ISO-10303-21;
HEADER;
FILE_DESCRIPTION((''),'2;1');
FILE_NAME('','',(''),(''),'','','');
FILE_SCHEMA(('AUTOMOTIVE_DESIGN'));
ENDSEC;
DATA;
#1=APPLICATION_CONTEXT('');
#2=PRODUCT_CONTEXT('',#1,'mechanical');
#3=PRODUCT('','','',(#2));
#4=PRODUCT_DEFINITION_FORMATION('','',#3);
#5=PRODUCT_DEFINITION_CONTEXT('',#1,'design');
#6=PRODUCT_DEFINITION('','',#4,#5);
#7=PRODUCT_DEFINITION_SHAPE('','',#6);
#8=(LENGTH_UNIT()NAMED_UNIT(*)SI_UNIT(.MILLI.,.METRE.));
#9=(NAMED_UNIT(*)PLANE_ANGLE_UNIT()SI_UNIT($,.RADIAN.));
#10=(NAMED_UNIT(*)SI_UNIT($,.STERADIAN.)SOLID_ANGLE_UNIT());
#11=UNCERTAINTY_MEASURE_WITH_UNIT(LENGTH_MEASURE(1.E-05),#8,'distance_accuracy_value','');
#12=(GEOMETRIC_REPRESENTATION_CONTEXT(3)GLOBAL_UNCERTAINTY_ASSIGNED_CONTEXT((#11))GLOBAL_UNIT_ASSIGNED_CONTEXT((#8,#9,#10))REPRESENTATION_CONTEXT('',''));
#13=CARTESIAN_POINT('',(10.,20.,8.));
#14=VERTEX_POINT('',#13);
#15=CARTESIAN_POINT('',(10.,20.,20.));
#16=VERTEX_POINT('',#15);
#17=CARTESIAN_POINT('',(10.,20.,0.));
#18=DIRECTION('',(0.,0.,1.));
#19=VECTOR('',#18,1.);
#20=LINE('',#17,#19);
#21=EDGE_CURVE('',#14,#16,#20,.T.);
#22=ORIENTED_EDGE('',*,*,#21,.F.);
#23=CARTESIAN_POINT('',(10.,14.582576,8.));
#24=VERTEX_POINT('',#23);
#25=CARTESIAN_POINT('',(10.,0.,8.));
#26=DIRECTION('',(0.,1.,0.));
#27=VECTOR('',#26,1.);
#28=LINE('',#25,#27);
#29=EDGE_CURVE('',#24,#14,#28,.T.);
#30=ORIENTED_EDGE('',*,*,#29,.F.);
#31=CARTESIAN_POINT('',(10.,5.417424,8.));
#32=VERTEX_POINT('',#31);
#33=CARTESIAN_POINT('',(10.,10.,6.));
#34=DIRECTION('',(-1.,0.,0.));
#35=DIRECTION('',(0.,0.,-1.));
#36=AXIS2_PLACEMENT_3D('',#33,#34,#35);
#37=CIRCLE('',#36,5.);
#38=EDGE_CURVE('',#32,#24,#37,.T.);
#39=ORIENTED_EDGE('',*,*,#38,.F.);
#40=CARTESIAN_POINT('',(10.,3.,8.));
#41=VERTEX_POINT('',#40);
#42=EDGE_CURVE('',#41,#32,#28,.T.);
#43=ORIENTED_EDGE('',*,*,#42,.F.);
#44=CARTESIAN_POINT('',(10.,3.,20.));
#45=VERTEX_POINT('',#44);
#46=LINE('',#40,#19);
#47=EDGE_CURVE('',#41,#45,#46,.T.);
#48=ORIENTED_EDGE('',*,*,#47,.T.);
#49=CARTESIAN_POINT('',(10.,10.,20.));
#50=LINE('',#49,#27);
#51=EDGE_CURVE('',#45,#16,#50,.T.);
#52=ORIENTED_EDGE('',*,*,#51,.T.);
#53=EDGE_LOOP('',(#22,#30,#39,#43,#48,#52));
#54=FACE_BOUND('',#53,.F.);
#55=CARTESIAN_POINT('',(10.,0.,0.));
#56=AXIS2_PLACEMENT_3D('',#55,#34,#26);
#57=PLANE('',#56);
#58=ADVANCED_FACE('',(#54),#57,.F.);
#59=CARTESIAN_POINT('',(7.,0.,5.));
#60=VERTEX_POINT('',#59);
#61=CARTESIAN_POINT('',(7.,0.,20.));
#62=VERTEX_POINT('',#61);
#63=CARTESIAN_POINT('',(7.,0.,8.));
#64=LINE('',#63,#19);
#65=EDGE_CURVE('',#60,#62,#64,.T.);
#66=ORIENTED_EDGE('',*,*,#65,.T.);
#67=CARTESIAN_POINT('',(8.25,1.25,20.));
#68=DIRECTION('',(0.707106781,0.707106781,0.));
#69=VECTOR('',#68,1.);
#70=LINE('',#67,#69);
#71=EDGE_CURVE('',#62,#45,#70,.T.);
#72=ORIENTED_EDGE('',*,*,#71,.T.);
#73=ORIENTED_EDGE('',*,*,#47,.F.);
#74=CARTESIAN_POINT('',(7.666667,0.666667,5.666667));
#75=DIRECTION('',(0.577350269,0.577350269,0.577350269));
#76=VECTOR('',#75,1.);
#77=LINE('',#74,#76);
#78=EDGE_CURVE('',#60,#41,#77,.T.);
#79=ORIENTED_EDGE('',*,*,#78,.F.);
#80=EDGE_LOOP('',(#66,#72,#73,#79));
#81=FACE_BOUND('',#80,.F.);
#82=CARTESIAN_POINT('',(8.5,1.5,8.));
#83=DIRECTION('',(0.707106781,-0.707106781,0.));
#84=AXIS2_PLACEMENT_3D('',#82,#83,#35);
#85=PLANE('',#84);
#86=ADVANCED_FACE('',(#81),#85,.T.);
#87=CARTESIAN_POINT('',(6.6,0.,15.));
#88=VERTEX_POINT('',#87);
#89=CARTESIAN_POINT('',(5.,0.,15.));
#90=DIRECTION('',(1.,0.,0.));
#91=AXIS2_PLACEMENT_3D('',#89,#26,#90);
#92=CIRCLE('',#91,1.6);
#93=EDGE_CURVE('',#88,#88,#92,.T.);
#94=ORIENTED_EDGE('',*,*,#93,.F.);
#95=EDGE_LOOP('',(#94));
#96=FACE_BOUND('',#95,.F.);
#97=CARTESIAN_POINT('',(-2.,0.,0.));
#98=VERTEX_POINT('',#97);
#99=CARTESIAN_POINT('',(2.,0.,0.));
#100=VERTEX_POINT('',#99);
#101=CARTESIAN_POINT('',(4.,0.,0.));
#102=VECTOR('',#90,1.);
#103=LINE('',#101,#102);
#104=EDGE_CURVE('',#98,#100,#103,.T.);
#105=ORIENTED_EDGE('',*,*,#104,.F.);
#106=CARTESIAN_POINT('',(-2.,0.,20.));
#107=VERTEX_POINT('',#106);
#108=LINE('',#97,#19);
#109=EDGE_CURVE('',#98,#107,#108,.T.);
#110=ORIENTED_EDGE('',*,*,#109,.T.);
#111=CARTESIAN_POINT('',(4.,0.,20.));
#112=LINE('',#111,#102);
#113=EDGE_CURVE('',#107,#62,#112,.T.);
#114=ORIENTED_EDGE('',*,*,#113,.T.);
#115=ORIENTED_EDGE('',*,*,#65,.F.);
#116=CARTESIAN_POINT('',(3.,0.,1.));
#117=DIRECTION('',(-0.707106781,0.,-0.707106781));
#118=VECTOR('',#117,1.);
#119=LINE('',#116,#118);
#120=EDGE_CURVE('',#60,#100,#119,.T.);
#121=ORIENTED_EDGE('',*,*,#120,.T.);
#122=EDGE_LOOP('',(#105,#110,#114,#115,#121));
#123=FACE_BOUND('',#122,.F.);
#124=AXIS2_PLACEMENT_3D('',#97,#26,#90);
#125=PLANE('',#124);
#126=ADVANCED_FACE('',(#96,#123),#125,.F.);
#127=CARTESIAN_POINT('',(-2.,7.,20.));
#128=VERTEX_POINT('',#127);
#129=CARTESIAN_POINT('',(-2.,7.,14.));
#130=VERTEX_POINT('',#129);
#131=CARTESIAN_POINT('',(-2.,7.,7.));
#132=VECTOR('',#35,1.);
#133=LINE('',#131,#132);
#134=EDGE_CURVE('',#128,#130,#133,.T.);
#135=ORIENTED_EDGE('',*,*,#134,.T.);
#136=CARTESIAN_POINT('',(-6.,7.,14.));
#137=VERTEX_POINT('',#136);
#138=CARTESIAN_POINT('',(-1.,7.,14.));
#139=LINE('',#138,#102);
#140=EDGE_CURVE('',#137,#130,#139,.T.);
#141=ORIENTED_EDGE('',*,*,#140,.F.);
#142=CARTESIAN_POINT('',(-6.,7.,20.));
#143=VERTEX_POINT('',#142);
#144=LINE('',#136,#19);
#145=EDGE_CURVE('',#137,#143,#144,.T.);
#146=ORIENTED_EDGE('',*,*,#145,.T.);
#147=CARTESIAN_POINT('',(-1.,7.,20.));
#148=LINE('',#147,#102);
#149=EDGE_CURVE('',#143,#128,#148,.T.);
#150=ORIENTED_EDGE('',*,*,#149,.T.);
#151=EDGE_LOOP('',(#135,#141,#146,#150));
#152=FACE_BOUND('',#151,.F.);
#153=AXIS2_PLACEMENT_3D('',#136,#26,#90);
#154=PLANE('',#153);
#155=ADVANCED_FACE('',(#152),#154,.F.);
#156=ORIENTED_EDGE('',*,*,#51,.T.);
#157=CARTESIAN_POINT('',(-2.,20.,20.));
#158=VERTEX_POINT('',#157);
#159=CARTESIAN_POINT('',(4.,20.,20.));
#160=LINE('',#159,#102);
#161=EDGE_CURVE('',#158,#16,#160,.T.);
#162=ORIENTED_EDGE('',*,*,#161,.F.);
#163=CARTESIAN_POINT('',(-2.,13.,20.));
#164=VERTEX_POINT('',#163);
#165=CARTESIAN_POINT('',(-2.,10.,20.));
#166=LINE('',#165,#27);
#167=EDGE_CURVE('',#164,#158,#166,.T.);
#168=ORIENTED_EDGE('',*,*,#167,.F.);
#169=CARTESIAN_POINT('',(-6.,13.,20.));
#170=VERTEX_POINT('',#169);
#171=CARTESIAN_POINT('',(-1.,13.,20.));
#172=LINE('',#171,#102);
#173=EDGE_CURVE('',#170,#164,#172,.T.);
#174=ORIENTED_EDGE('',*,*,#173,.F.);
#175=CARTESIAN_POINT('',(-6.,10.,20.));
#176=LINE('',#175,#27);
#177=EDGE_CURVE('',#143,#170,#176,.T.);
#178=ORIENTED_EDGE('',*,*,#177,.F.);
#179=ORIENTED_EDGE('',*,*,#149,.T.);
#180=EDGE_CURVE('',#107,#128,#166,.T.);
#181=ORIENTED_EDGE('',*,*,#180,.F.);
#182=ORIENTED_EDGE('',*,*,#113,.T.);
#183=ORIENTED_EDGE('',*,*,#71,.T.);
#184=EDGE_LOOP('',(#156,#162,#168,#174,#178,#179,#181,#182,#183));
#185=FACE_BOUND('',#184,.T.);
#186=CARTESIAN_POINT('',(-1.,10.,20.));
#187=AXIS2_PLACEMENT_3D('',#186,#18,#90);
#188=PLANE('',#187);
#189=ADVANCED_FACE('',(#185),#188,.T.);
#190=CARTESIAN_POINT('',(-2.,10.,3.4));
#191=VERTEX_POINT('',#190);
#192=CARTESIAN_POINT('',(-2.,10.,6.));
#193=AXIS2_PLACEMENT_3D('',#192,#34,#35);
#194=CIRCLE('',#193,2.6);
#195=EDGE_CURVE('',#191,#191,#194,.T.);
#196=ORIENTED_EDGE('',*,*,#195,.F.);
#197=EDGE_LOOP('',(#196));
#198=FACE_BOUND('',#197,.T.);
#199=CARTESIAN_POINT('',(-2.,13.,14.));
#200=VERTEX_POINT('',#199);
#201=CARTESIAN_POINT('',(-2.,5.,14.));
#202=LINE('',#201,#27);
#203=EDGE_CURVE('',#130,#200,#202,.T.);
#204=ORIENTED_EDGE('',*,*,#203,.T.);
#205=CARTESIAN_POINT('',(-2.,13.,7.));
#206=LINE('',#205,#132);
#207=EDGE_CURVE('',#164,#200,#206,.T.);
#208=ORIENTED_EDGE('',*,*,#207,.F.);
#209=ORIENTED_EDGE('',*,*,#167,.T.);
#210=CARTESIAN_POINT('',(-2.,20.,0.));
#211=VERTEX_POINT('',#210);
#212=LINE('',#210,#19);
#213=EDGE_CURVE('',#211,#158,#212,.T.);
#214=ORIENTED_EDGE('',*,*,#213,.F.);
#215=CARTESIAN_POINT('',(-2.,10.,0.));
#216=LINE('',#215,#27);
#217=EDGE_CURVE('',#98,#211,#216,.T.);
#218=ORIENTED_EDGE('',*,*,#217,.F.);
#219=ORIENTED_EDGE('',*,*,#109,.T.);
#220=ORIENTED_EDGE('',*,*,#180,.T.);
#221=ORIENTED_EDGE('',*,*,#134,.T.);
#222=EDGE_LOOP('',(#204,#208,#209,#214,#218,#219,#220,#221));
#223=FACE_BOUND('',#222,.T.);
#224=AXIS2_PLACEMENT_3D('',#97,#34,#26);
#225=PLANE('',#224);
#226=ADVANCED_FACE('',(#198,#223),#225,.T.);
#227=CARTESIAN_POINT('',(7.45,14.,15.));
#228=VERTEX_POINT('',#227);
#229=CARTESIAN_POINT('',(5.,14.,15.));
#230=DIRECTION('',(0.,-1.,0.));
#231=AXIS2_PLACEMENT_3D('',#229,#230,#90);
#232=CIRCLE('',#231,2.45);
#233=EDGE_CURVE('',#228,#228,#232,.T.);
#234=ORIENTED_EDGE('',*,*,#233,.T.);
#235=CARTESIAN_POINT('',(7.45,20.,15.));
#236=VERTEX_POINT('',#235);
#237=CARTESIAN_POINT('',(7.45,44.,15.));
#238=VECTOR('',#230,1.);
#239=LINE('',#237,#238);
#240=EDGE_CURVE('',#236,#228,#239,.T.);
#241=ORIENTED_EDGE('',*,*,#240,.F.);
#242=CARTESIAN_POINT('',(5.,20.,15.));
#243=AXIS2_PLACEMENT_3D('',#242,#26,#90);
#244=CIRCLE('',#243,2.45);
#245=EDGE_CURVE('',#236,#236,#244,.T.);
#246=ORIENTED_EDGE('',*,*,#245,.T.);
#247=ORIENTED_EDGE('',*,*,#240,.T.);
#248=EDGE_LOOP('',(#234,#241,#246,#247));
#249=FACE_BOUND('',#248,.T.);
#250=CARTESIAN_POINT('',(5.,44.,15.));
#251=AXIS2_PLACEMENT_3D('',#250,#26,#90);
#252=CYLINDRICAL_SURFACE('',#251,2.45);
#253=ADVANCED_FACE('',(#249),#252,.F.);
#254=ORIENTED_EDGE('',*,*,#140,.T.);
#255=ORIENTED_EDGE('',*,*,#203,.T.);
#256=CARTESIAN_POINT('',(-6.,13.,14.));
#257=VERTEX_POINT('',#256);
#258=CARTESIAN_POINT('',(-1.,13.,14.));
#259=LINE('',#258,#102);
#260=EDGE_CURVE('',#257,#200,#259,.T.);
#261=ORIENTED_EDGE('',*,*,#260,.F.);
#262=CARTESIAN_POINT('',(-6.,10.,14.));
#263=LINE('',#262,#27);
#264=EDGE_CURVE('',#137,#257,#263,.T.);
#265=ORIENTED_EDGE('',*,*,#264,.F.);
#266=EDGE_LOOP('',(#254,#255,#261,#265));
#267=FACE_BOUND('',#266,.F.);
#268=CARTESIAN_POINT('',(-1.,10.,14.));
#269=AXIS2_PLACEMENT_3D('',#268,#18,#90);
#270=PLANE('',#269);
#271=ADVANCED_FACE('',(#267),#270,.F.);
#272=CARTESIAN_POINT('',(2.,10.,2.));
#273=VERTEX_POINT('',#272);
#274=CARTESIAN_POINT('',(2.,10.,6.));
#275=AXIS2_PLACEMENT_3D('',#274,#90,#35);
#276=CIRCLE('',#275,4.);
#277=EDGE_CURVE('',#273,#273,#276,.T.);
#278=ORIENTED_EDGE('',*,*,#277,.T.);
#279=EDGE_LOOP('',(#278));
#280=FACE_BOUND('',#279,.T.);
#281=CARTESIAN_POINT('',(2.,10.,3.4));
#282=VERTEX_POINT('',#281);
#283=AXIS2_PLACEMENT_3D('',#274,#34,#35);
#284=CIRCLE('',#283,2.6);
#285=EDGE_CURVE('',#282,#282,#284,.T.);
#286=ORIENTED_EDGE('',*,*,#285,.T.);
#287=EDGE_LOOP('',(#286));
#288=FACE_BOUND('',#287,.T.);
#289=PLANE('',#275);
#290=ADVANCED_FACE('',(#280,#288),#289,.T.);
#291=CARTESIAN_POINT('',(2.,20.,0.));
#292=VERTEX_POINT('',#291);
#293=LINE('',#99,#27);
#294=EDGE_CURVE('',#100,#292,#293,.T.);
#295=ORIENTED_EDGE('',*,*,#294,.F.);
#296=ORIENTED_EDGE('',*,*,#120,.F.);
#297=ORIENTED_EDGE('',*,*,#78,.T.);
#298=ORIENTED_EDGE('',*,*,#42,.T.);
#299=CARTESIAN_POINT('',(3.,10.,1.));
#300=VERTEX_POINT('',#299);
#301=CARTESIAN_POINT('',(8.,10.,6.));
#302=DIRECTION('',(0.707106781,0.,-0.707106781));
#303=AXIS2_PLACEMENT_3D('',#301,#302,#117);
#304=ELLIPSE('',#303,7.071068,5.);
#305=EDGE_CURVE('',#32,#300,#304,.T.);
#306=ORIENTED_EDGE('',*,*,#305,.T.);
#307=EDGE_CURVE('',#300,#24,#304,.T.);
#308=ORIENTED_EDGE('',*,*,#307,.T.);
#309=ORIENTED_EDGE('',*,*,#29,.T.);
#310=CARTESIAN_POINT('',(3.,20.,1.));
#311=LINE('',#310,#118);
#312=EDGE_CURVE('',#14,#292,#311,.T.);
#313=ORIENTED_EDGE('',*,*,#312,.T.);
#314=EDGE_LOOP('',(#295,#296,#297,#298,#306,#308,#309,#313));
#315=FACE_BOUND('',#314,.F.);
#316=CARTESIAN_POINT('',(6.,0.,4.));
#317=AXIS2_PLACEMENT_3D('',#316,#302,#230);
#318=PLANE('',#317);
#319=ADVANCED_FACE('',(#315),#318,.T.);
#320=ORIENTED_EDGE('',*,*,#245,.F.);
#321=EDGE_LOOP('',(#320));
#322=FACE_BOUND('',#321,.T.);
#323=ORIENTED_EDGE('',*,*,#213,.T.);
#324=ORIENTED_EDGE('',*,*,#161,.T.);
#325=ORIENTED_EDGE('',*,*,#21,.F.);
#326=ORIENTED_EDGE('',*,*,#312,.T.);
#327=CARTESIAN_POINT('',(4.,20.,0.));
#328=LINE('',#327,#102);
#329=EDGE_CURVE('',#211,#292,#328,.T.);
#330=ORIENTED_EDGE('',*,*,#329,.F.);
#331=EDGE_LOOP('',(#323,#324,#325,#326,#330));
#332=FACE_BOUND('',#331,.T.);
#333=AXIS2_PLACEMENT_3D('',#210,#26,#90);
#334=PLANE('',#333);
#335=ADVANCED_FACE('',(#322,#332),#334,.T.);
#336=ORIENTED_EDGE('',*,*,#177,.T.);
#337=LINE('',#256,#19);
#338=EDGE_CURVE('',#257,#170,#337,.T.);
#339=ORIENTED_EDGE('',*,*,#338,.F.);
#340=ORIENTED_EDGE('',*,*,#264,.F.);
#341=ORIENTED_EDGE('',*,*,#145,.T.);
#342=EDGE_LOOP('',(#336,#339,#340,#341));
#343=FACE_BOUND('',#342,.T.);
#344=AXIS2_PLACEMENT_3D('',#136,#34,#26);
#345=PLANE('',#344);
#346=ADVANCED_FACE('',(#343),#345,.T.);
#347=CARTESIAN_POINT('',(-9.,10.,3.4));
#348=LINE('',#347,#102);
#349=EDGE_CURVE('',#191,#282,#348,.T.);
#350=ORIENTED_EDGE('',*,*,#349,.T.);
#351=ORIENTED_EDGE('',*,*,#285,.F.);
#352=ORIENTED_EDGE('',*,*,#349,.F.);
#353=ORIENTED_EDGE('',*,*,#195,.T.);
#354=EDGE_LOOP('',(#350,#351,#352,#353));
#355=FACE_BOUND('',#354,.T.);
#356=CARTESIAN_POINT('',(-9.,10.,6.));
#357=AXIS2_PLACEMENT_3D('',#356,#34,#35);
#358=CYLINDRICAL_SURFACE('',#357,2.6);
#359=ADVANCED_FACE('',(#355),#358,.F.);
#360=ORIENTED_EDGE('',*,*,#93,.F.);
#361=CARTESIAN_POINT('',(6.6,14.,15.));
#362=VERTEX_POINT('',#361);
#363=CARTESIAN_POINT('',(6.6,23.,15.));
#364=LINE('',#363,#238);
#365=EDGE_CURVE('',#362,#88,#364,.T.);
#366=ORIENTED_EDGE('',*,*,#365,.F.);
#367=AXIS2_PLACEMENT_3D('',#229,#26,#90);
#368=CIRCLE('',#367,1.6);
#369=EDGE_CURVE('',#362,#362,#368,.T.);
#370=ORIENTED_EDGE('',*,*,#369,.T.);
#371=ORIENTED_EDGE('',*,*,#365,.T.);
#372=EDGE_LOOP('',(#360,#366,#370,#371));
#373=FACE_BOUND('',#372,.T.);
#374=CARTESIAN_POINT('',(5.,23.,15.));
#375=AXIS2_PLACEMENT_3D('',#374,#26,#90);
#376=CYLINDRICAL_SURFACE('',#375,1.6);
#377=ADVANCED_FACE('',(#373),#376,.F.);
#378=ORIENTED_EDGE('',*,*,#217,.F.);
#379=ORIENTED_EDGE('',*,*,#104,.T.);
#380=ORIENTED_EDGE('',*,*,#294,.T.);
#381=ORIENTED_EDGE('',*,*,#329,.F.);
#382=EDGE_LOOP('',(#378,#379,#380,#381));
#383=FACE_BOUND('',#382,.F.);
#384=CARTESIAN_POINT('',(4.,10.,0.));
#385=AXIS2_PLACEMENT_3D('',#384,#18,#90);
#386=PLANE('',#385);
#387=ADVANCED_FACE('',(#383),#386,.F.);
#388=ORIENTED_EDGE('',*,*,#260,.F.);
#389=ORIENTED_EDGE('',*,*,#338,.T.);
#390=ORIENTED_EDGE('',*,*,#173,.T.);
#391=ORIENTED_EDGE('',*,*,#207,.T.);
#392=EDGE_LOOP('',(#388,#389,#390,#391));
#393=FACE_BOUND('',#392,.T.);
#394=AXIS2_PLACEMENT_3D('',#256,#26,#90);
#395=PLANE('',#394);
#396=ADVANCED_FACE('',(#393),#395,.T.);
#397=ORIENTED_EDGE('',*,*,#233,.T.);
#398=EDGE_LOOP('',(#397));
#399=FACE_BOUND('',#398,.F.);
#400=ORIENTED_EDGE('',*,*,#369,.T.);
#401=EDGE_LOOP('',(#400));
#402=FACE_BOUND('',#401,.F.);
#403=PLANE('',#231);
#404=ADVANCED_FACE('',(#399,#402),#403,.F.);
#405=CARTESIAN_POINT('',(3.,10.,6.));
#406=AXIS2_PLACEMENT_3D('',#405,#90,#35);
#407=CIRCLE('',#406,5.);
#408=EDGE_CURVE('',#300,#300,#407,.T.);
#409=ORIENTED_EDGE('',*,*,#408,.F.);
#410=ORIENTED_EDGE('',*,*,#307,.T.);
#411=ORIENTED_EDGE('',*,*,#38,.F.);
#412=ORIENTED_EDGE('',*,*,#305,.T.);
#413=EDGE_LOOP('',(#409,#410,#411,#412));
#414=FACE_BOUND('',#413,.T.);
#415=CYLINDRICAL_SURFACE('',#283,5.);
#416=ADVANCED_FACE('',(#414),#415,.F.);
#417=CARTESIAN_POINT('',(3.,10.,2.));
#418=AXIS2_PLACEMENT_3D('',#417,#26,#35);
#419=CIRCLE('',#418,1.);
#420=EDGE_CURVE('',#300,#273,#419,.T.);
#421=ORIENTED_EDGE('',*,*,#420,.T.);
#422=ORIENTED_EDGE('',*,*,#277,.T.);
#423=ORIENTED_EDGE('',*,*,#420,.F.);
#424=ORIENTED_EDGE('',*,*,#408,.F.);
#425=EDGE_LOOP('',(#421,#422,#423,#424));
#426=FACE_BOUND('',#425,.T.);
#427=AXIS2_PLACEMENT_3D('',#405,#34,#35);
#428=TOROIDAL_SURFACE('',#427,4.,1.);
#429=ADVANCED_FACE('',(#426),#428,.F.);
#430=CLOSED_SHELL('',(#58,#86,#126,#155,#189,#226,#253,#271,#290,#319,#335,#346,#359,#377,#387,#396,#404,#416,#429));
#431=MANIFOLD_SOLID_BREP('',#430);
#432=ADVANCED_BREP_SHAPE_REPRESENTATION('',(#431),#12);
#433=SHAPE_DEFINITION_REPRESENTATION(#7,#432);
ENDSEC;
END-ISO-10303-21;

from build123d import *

# Parameters (mm, degrees)
CYLINDER002_R     = 2.6
CYLINDER002_DEPTH = 20
CYLINDER001_R     = 5
CYLINDER001_DEPTH = 16
FILLET_R          = 1
CYLINDER003_R     = 1.6
CYLINDER003_DEPTH = 28
CYLINDER_R        = 2.45
CYLINDER_DEPTH    = 30
BOX001_W          = 10
BOX001_H          = 6
BOX001_DEPTH      = 6
BOX_W             = 12
BOX_H             = 20
BOX_DEPTH         = 20
CHAMFER_SIZE      = 8
CHAMFER001_SIZE   = 3


with BuildPart() as cilindro002:
    # Cylinder002 → Cylinder002 (new body)
    with BuildSketch(Plane(origin=(-9, 10, 6), x_dir=(0, 0, -1), z_dir=(1, 0, 0))):
        Circle(CYLINDER002_R)
    extrude(amount=CYLINDER002_DEPTH)


with BuildPart() as fillet_body:
    # Cylinder001 → Cylinder001 (new body)
    with BuildSketch(Plane(origin=(6, 10, 6), x_dir=(0, 0, -1), z_dir=(1, 0, 0))):
        Circle(CYLINDER001_R)
    extrude(amount=CYLINDER001_DEPTH)

    # Fillet
    fillet_edges = [fillet_body.edges().sort_by_distance(p)[0] for p in [
        (6, 10, 11),
    ]]
    fillet(fillet_edges, radius=FILLET_R)


with BuildPart() as fillet_body_1:
    # Fillet placement: moved
    add(fillet_body.part.moved(Location((-4, 0, 0))))


with BuildPart() as cilindro003:
    # Cylinder003 → Cylinder003 (new body)
    with BuildSketch(Plane(origin=(7, 23, 15), x_dir=(1, 0, 0), z_dir=(0, -1, 0))):
        Circle(CYLINDER003_R)
    extrude(amount=CYLINDER003_DEPTH)


with BuildPart() as cilindro:
    # Cylinder → Cylinder (new body)
    with BuildSketch(Plane(origin=(7, 44, 15), x_dir=(1, 0, 0), z_dir=(0, -1, 0))):
        Circle(CYLINDER_R)
    extrude(amount=CYLINDER_DEPTH)


with BuildPart() as cubo001:
    # Box001 → Box001 (new body)
    with BuildSketch(Plane(origin=(-4, 7, 14), x_dir=(1, 0, 0), z_dir=(0, 0, 1))):
        with Locations((5, 3)):
            Rectangle(BOX001_W, BOX001_H)
    extrude(amount=BOX001_DEPTH)


with BuildPart() as chamfer001:
    # Box → Box (new body)
    with BuildSketch(Plane.XY):
        with Locations((6, 10)):
            Rectangle(BOX_W, BOX_H)
    extrude(amount=BOX_DEPTH)

    # Fusion: union Cubo001
    add(cubo001.part)

    # Cut: cut Cilindro
    add(cilindro.part, mode=Mode.SUBTRACT)

    # Cut001: cut Cilindro003
    add(cilindro003.part, mode=Mode.SUBTRACT)

    # Chamfer
    chamfer_edges = [chamfer001.edges().sort_by_distance(p)[0] for p in [
        (12, 10, 0),
    ]]
    chamfer(chamfer_edges, length=CHAMFER_SIZE)


with BuildPart() as chamfer001_1:
    # Chamfer placement: moved
    add(chamfer001.part.moved(Location((-2, 0, 0))))

    # Cut002: cut Fillet body
    add(fillet_body_1.part, mode=Mode.SUBTRACT)

    # Cut003: cut Cilindro002
    add(cilindro002.part, mode=Mode.SUBTRACT)

    # Chamfer001
    chamfer001_edges = [chamfer001_1.edges().sort_by_distance(p)[0] for p in [
        (10, 0, 14),
    ]]
    chamfer(chamfer001_edges, length=CHAMFER001_SIZE)


solid = chamfer001_1.part
